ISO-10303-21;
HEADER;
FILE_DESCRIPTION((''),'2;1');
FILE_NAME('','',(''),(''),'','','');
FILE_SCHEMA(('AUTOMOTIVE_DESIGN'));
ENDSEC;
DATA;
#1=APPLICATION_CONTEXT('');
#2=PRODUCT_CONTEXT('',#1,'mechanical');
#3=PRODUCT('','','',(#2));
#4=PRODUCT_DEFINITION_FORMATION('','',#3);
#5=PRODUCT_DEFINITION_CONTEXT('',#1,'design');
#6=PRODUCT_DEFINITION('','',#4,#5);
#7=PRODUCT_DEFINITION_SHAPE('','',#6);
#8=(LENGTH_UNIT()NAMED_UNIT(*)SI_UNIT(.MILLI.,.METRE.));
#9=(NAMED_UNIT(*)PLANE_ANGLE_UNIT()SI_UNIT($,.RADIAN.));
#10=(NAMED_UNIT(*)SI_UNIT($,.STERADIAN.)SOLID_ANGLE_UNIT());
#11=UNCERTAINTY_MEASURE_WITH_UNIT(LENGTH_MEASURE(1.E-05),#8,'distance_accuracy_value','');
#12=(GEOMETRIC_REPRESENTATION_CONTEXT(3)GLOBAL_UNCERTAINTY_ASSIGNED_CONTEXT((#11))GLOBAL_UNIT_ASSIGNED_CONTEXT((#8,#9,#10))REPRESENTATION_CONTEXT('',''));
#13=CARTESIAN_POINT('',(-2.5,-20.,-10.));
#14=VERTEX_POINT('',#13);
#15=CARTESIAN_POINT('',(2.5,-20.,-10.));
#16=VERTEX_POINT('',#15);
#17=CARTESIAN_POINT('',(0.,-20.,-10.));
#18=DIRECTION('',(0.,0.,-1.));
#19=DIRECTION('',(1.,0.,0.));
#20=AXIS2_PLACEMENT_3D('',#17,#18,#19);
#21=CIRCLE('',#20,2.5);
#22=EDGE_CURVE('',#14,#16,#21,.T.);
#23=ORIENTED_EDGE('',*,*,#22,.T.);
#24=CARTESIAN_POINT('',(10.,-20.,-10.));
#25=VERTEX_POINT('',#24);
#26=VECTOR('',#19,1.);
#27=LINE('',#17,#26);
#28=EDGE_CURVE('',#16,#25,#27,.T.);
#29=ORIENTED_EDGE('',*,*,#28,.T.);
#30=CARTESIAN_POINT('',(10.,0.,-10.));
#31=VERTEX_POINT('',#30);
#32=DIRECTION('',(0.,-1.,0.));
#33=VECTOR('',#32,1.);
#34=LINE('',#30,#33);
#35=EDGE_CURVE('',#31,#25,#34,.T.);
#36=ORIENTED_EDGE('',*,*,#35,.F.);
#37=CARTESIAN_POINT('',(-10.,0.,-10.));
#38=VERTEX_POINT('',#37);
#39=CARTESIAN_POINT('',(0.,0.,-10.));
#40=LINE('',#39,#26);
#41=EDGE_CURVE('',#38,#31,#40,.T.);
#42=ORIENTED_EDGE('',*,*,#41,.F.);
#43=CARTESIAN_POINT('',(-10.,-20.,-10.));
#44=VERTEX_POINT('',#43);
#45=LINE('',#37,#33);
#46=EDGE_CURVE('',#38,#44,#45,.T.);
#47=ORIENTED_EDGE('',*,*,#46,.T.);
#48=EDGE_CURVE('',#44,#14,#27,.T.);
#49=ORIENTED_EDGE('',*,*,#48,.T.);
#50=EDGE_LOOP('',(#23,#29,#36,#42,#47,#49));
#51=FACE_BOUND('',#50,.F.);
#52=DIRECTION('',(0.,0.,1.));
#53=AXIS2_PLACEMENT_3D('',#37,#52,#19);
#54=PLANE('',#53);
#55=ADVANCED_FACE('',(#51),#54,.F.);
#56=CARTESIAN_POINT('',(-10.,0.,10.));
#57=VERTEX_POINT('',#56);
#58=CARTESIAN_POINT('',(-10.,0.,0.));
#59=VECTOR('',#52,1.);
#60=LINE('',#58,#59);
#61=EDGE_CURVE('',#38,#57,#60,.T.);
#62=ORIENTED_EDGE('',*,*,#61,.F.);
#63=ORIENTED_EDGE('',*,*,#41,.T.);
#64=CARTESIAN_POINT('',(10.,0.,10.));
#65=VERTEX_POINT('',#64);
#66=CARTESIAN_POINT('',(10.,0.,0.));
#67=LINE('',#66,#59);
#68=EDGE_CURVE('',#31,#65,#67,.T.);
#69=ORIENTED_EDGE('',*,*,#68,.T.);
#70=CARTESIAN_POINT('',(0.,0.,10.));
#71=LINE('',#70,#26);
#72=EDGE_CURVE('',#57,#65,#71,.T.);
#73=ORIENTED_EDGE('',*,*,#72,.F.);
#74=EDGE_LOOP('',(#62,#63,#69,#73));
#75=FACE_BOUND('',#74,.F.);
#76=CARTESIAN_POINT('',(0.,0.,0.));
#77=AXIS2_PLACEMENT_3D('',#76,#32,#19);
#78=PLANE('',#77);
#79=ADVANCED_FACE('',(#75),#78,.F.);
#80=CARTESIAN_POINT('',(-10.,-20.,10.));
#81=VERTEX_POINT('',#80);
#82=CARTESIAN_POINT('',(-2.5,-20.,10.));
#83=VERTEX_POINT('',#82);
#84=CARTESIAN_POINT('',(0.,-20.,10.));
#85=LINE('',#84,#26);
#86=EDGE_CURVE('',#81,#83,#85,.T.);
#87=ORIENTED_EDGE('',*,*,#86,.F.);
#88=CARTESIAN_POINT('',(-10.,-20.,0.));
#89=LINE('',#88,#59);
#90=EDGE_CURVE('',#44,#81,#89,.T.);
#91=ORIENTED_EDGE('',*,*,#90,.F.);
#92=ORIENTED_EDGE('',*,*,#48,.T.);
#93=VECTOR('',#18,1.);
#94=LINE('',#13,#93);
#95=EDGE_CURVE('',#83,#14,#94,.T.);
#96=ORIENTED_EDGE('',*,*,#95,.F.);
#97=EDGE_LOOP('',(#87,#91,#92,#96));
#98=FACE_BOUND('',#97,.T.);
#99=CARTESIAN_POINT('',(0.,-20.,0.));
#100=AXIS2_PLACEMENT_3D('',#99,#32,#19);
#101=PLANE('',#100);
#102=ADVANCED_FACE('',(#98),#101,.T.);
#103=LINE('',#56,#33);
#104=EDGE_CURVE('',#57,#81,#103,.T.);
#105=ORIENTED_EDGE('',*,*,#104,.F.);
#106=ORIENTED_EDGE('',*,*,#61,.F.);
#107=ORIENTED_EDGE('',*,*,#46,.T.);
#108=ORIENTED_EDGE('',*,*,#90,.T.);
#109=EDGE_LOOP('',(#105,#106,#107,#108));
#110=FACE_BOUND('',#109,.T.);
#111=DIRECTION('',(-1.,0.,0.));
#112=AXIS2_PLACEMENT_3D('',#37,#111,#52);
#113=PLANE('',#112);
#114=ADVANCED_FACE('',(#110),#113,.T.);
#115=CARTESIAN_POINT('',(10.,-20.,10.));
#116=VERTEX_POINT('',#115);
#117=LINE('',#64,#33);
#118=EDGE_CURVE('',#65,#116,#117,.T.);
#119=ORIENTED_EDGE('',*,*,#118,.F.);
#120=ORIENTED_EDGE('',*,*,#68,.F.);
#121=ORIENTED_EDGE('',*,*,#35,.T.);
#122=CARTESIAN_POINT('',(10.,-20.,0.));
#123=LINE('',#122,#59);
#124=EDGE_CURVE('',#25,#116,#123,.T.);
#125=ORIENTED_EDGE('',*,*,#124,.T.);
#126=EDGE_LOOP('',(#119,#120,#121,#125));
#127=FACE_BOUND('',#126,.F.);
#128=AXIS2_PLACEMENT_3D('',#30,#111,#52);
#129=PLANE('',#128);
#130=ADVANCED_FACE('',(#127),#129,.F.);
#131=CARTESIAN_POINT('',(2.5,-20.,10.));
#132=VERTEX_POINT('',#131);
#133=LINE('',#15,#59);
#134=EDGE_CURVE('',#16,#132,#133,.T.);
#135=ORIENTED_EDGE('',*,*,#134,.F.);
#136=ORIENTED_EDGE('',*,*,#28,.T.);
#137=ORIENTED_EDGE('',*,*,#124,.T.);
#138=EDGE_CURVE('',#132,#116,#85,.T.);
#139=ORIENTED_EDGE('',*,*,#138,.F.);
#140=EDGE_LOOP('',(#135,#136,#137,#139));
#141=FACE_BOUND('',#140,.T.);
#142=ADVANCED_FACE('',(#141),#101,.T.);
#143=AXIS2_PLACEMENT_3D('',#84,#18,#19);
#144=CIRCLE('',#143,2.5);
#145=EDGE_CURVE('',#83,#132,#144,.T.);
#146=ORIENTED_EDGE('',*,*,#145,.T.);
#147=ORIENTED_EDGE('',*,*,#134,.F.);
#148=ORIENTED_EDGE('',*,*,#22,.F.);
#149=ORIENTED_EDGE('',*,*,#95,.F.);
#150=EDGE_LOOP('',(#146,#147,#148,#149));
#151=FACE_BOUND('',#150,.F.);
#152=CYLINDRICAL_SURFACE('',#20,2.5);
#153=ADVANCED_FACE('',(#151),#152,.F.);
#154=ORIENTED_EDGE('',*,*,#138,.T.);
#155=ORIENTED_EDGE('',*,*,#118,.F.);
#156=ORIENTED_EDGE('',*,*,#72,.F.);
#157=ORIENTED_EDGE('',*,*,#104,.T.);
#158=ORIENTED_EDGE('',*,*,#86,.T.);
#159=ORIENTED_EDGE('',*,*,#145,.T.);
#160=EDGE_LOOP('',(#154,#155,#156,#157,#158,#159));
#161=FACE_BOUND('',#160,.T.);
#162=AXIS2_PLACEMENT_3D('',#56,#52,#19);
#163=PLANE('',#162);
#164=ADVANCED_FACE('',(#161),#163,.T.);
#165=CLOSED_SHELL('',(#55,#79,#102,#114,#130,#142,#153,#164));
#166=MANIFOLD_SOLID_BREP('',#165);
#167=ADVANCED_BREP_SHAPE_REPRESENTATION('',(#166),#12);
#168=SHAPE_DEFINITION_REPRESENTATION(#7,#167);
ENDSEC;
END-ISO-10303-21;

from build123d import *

# Parameters (mm, degrees)
F0_W     = 20
F0_H     = 20
F1_DEPTH = 20
F2_R     = 2.5
F3_DEPTH = 25


with BuildPart() as f1:
    # F0 (on Front) → F1 (new body)
    with BuildSketch(Plane.XZ):
        Rectangle(F0_W, F0_H)
    extrude(amount=F1_DEPTH)

    # F2 (on face) → F3 (cut)
    with BuildSketch(Plane(origin=(0, 0, -10), x_dir=(1, 0, 0), z_dir=(0, 0, -1))):
        with Locations((0, 20)):
            Circle(F2_R)
    extrude(amount=-F3_DEPTH, mode=Mode.SUBTRACT)


solid = f1.part
